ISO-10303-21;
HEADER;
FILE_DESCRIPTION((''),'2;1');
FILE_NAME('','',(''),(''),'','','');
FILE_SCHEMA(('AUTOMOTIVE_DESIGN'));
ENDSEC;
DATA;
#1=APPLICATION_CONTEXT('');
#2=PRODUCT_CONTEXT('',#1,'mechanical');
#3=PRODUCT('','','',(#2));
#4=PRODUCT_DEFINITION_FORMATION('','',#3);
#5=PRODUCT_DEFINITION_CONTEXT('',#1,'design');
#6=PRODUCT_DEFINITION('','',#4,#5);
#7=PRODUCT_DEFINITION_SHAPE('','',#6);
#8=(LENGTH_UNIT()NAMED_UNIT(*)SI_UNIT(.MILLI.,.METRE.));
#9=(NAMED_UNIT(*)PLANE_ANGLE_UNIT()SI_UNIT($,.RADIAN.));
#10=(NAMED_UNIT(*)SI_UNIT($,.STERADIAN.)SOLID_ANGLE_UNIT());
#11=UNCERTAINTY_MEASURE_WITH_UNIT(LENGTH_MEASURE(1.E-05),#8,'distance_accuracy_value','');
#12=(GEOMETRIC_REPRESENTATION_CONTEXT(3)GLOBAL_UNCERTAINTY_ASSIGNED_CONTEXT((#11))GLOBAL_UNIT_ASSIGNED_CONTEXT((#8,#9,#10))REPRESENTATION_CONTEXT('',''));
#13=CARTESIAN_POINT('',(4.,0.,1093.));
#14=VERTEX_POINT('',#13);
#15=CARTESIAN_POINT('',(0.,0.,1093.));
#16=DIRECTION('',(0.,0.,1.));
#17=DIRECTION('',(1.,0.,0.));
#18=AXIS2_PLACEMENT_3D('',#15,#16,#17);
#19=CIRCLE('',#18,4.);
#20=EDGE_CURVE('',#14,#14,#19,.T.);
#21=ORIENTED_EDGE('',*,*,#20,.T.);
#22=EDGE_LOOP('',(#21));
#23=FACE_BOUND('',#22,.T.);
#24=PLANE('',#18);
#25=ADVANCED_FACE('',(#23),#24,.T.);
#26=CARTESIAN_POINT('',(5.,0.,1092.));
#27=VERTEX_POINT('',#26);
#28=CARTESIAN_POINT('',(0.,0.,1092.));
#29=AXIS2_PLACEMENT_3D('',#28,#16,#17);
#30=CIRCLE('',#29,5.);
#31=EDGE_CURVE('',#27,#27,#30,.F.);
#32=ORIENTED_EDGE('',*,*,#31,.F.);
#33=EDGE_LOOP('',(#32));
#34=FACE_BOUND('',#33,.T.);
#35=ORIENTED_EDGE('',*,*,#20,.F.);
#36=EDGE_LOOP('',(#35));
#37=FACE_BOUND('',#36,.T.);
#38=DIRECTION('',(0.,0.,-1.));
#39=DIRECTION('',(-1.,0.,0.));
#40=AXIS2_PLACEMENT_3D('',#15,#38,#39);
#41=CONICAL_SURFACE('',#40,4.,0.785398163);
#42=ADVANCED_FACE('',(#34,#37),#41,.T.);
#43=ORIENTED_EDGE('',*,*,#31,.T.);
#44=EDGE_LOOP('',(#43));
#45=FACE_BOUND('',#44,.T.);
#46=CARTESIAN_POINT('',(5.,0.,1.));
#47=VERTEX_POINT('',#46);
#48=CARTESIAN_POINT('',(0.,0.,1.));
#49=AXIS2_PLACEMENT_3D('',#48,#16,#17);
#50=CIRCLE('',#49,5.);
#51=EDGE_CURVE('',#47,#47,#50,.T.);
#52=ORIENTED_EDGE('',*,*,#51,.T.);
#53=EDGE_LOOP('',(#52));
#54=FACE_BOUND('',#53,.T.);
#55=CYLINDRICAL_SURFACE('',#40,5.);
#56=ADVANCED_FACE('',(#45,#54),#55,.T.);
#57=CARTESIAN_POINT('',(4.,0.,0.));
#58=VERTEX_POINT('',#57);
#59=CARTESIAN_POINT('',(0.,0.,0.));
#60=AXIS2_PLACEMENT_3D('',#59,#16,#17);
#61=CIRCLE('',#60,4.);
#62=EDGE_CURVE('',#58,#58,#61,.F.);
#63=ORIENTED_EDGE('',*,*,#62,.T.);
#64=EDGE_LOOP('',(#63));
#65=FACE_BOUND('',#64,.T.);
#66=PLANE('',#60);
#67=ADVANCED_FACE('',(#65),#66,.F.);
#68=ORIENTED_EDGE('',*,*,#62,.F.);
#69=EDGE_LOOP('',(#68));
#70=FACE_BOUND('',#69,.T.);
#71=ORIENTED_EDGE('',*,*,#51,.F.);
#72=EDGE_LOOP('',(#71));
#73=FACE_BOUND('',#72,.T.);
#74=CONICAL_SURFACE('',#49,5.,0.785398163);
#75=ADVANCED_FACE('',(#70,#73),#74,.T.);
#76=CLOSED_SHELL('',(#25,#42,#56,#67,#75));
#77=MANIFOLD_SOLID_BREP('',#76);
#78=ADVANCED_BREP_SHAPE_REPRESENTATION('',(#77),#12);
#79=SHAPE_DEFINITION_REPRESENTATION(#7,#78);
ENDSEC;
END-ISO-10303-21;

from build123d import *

# Parameters (mm, degrees)
SKETCH1_R           = 5
BOSS_EXTRUDE1_DEPTH = 1093
CHAMFER1_SIZE       = 1


with BuildPart() as part:
    # Sketch1 → Boss-Extrude1 (new body)
    with BuildSketch(Plane.XY):
        Circle(SKETCH1_R)
    extrude(amount=BOSS_EXTRUDE1_DEPTH)

    # Chamfer1
    chamfer1_edges = [part.edges().sort_by_distance(p)[0] for p in [
        (-5, 0, 0),
        (-5, 0, 1093),
    ]]
    chamfer(chamfer1_edges, length=CHAMFER1_SIZE)


solid = part.part
